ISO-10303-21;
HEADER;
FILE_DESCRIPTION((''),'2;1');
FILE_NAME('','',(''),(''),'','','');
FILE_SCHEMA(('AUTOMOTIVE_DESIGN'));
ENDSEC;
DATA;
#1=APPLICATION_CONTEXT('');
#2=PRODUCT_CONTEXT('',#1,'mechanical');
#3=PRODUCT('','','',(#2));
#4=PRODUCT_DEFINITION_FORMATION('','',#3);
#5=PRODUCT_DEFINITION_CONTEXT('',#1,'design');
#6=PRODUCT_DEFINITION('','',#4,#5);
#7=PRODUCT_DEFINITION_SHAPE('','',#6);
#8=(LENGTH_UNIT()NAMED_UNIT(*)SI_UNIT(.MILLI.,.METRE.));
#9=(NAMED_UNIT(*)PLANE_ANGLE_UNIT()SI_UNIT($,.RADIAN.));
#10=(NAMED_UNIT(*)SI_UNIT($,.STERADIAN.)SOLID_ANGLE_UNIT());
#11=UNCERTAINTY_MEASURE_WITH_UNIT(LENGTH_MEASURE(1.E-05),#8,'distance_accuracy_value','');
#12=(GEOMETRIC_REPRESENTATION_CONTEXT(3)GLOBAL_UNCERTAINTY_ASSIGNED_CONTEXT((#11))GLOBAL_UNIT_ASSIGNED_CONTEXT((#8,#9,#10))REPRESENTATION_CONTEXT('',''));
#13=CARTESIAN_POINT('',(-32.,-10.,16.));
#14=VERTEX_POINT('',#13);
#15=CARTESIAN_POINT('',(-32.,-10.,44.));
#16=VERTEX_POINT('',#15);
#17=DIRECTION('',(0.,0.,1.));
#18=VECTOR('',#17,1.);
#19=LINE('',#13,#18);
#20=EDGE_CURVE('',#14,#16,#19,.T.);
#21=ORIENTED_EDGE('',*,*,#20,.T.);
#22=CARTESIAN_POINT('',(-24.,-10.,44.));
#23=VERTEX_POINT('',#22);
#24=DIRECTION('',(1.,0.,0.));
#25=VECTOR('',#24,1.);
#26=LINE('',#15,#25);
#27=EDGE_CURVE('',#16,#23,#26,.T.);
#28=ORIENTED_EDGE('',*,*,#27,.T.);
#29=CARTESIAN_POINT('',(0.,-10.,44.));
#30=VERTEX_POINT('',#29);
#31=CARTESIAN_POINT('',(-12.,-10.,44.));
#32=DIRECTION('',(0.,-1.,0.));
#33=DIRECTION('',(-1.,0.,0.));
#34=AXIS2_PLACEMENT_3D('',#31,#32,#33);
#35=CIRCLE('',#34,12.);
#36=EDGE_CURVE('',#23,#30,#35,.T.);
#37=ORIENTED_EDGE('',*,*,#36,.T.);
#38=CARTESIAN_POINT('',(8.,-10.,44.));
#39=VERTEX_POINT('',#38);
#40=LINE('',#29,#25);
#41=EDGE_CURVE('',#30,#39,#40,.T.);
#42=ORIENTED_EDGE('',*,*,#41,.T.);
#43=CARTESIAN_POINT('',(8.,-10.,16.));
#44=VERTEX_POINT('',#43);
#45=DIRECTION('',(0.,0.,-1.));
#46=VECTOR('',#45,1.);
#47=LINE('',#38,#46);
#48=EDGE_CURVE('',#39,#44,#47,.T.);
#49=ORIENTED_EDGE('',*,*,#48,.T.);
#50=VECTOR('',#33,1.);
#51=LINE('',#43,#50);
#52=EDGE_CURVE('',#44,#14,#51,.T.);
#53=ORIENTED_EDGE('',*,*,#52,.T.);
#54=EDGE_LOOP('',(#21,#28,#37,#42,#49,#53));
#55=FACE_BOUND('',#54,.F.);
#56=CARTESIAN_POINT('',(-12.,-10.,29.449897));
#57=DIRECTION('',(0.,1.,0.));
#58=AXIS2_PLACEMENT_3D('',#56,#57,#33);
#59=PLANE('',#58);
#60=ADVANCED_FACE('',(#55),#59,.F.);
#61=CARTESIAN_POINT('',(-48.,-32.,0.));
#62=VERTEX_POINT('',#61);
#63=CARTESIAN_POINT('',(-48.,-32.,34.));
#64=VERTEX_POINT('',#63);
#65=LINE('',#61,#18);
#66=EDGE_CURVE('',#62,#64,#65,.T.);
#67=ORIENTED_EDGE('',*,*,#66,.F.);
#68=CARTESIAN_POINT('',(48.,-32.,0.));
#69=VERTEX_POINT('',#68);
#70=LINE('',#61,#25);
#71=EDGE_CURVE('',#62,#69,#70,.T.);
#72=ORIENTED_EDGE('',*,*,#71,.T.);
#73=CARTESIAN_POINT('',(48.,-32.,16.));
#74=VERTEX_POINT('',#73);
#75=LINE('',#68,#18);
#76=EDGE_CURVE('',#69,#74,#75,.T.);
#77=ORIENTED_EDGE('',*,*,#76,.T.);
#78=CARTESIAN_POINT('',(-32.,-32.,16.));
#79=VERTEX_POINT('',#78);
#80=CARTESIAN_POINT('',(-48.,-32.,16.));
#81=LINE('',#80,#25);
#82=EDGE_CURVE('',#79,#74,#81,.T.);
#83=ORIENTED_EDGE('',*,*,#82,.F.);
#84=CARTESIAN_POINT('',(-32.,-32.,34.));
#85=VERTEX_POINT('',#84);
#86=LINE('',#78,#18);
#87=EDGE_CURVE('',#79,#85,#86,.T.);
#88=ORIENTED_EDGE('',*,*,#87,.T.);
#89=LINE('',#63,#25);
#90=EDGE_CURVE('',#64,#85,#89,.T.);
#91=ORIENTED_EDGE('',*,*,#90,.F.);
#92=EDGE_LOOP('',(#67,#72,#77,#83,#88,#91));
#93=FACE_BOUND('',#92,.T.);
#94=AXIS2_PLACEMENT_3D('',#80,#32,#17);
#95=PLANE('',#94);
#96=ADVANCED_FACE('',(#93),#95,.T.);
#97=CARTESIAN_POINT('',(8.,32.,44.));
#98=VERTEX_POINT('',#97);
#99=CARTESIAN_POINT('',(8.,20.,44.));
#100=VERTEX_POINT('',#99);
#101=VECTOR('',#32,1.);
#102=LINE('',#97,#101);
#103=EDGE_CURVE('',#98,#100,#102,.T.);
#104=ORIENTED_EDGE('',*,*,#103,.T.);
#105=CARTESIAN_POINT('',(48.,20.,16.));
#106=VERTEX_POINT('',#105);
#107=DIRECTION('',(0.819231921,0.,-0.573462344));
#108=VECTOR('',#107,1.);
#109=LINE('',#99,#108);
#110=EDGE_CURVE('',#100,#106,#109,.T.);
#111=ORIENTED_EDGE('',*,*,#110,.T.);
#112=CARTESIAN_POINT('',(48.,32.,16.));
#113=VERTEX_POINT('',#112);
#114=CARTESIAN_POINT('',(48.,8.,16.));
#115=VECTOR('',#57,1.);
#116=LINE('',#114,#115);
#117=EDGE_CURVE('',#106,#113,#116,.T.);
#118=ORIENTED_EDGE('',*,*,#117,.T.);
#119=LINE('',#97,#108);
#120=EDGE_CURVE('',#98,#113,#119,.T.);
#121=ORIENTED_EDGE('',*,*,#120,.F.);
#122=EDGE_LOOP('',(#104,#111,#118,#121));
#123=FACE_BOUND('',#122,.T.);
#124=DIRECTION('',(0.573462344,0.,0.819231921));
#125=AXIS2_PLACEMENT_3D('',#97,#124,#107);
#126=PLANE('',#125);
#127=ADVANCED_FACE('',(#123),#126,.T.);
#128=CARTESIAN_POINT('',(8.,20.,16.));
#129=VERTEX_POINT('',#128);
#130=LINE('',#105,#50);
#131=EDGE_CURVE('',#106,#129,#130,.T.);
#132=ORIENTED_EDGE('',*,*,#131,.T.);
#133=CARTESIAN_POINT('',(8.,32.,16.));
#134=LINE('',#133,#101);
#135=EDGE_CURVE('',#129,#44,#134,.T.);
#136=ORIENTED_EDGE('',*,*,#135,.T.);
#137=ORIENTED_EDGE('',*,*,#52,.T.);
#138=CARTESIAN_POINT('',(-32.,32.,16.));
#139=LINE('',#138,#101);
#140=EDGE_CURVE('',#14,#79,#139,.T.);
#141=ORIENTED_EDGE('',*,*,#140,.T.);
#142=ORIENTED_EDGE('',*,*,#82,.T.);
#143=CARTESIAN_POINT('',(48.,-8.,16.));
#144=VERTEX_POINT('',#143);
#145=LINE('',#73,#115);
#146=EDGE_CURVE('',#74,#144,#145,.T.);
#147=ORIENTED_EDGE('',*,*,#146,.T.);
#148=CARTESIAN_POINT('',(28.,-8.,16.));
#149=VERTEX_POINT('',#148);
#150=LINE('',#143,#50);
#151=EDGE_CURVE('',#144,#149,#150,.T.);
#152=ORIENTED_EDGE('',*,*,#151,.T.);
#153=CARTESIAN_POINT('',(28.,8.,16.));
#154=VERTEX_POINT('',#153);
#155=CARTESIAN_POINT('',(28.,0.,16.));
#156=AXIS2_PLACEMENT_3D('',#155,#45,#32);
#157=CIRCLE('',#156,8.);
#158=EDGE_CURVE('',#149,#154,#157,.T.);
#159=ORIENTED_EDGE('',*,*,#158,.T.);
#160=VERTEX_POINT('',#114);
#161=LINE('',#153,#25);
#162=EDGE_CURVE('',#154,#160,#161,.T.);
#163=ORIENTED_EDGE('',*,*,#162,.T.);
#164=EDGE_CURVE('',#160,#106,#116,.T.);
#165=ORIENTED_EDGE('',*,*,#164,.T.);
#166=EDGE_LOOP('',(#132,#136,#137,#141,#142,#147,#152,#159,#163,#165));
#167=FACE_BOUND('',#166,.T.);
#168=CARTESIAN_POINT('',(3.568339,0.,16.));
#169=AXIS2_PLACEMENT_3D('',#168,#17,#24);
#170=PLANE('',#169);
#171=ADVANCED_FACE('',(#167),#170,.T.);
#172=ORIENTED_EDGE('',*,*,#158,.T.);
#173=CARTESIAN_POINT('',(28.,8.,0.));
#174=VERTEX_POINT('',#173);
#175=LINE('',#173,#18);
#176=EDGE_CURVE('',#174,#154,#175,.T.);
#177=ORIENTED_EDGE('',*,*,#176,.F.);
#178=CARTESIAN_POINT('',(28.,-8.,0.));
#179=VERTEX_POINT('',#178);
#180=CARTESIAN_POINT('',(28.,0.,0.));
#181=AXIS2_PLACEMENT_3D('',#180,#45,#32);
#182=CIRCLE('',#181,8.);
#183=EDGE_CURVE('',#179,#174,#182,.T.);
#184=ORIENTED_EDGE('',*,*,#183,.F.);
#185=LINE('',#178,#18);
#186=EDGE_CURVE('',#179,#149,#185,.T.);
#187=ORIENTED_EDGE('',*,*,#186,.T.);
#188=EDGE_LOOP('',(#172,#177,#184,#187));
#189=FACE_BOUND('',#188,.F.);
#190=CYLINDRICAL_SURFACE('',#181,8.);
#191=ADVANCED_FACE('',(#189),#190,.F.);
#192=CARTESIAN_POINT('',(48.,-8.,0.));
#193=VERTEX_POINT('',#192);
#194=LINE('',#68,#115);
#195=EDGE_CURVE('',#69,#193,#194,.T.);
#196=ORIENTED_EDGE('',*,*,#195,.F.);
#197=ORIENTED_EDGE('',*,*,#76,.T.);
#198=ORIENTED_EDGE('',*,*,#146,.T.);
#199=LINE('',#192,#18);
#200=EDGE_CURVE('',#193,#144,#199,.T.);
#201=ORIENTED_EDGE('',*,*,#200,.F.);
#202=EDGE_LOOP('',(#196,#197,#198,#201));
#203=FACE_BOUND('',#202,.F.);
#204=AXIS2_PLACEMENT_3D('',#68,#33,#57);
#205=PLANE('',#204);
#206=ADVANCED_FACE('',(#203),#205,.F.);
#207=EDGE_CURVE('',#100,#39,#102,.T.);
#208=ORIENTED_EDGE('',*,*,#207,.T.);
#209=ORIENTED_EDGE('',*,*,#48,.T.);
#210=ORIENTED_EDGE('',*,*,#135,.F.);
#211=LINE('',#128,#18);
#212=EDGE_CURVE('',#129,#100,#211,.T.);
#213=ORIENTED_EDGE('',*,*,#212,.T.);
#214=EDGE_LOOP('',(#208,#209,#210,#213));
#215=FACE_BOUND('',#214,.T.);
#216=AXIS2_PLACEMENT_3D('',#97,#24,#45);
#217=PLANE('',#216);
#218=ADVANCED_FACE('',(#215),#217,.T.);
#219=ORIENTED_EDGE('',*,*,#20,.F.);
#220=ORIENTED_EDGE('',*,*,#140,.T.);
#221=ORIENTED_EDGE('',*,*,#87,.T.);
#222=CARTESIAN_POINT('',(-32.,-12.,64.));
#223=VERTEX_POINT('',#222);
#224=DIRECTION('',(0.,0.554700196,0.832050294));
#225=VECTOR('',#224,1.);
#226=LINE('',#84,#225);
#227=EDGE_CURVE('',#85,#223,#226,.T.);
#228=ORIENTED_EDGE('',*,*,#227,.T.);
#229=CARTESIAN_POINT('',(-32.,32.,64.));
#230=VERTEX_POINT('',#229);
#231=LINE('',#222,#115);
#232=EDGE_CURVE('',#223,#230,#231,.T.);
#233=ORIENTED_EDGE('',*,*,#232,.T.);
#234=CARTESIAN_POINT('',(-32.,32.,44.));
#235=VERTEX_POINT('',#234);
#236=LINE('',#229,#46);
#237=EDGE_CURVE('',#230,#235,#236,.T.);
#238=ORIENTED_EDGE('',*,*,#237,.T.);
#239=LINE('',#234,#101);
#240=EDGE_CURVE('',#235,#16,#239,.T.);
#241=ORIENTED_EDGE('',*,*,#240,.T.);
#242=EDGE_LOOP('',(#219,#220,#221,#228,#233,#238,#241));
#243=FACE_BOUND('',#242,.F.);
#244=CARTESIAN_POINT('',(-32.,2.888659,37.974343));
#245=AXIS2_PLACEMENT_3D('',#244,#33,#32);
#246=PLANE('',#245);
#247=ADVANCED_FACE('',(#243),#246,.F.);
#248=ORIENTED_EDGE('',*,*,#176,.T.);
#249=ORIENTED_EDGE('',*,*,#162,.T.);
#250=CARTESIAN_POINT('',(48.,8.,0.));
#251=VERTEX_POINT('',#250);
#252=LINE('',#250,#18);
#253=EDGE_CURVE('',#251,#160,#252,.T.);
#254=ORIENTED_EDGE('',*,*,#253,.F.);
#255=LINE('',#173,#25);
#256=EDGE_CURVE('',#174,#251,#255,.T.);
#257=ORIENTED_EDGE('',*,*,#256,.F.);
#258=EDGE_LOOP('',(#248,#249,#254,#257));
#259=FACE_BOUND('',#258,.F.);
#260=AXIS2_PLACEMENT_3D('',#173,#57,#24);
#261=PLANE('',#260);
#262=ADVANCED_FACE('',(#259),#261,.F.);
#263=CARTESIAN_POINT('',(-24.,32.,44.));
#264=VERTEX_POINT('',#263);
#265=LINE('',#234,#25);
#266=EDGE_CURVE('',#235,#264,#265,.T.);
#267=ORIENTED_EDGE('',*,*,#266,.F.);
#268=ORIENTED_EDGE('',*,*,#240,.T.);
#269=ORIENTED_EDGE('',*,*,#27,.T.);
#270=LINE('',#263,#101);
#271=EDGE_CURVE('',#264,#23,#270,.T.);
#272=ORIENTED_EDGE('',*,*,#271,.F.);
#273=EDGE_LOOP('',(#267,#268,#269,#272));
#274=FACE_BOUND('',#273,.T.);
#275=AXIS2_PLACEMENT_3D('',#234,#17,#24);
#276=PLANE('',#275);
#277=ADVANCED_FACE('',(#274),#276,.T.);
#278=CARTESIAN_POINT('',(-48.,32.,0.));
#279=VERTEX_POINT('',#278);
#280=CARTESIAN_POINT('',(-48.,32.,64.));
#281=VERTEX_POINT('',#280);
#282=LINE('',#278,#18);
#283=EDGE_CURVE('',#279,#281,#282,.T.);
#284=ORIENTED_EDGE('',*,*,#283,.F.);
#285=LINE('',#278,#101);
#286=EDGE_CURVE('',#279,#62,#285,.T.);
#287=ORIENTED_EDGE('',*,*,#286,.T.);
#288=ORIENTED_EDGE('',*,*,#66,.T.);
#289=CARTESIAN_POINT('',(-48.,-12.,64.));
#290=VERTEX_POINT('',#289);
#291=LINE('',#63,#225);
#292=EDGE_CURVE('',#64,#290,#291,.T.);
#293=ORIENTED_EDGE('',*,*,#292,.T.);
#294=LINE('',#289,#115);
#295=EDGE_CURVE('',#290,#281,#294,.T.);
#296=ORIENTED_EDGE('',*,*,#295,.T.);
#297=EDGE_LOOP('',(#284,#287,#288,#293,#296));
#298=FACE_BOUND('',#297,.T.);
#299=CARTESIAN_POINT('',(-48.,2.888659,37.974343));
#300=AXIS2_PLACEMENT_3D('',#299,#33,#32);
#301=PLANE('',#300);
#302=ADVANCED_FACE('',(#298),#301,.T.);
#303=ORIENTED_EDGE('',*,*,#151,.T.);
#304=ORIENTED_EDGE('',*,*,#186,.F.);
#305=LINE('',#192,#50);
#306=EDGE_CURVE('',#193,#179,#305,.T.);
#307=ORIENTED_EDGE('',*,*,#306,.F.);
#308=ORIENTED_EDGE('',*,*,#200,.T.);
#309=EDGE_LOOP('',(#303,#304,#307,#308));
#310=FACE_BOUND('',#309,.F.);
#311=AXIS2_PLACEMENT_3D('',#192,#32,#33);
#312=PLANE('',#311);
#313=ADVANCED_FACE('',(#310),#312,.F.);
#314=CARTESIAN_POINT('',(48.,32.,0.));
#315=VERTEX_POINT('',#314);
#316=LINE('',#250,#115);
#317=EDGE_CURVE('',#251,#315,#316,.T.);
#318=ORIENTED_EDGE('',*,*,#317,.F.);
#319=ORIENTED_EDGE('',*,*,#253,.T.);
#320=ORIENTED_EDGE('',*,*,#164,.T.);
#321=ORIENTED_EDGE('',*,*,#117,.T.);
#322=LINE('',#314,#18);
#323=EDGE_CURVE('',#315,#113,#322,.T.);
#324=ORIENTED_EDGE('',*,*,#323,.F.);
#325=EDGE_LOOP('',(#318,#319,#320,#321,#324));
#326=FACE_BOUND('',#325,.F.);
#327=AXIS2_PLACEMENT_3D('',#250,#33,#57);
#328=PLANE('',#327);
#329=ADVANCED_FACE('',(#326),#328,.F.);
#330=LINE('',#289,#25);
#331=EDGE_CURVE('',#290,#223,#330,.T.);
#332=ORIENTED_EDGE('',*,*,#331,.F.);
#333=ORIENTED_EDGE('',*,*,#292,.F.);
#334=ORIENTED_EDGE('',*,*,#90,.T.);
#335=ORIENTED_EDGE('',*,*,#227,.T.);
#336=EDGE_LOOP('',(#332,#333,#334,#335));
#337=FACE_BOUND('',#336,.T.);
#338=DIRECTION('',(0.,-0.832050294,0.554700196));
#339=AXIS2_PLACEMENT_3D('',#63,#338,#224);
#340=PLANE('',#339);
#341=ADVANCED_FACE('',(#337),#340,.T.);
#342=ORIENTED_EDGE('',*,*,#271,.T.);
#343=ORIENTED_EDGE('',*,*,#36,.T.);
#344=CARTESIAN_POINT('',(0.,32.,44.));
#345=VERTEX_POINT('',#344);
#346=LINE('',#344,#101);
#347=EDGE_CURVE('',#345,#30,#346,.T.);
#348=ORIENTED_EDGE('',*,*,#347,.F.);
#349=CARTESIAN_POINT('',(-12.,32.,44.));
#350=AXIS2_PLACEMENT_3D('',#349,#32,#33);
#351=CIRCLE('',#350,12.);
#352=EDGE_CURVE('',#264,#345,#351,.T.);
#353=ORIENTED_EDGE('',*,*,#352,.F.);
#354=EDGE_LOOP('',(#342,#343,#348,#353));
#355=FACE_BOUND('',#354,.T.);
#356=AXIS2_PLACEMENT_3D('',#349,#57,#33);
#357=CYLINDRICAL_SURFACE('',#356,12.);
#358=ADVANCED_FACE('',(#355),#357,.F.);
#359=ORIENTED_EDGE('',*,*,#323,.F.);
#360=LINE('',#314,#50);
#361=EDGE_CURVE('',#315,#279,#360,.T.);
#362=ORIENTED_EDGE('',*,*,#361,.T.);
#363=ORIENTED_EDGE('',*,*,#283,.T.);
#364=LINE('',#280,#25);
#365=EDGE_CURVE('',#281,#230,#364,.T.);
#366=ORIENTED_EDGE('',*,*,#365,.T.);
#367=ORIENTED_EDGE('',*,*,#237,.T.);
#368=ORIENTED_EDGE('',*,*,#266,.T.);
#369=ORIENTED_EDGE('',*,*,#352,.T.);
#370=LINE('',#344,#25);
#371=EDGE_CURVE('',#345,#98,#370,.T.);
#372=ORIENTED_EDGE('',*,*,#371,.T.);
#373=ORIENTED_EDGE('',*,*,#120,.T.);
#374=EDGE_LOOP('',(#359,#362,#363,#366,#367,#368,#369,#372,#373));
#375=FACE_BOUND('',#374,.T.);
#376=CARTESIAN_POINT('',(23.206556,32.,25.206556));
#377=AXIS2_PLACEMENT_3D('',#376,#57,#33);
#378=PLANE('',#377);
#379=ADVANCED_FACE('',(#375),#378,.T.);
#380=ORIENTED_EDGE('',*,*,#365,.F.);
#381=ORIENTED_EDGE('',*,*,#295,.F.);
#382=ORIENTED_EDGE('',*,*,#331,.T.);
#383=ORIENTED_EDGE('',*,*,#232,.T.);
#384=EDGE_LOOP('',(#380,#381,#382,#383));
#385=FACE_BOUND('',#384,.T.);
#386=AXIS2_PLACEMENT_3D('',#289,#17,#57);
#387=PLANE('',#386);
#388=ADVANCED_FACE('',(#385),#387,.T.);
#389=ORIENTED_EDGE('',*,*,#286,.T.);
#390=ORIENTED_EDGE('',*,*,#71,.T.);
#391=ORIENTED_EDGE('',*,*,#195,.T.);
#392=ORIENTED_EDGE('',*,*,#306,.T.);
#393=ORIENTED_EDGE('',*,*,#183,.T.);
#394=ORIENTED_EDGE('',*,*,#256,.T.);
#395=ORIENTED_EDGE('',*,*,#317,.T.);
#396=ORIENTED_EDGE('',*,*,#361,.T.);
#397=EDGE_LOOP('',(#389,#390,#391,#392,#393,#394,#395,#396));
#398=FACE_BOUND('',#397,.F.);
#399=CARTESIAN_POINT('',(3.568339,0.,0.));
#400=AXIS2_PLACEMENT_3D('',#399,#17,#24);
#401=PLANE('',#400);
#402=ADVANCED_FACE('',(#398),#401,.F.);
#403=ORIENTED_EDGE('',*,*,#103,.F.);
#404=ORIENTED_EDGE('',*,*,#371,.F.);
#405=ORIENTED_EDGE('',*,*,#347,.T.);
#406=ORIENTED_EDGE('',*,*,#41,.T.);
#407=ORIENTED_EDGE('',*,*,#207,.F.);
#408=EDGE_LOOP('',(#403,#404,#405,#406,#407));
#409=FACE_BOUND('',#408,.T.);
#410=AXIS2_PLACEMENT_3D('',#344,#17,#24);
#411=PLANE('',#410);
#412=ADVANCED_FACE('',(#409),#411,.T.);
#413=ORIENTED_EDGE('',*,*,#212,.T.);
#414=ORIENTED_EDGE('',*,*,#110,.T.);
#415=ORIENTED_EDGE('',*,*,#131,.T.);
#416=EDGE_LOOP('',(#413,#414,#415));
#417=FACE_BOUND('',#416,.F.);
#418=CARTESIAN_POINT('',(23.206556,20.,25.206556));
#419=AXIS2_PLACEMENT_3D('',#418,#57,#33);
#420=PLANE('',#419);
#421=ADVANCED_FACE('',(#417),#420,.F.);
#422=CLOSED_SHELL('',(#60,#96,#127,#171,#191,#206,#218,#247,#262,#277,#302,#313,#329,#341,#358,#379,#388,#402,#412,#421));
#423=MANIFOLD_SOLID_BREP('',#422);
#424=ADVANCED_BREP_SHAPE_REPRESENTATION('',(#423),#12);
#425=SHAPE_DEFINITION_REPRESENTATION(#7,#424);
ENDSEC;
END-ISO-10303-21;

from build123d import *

# Parameters (mm, degrees)
F1_DEPTH = 16
F3_DEPTH = 16
F5_DEPTH = 42
F7_DEPTH = 12


with BuildPart() as f1:
    # F0 (on Top) → F1 (new body)
    with BuildSketch(Plane.XY):
        with BuildLine():
            Line((-48, 32), (-48, -32))
            Line((-48, -32), (48, -32))
            Line((48, -32), (48, -8))
            Line((48, -8), (28, -8))
            ThreePointArc((28, -8), (20, 0), (28, 8))
            Line((28, 8), (48, 8))
            Line((48, 8), (48, 32))
            Line((48, 32), (-48, 32))
        make_face()
    extrude(amount=F1_DEPTH)

    # F2 (on face) → F3 (join)
    with BuildSketch(Plane(origin=(-48, 0, 0), x_dir=(0, -1, 0), z_dir=(-1, 0, 0))):
        Polygon((-32, 64), (-32, 16), (32, 16), (32, 34), (12, 64), align=None)
    extrude(amount=-F3_DEPTH)

    # F4 (on face) → F5 (join)
    with BuildSketch(Plane(origin=(0, 32, 0), x_dir=(-1, 0, 0), z_dir=(0, 1, 0))):
        with BuildLine():
            Line((-8, 16), (32, 16))
            Line((32, 16), (32, 44))
            Line((32, 44), (24, 44))
            ThreePointArc((24, 44), (12, 32), (0, 44))
            Line((0, 44), (-8, 44))
            Line((-8, 44), (-8, 16))
        make_face()
    extrude(amount=-F5_DEPTH)

    # F6 (on face) → F7 (join)
    with BuildSketch(Plane(origin=(0, 32, 0), x_dir=(-1, 0, 0), z_dir=(0, 1, 0))):
        Polygon((-8, 44), (-48, 16), (-8, 16), align=None)
    extrude(amount=-F7_DEPTH)


solid = f1.part
